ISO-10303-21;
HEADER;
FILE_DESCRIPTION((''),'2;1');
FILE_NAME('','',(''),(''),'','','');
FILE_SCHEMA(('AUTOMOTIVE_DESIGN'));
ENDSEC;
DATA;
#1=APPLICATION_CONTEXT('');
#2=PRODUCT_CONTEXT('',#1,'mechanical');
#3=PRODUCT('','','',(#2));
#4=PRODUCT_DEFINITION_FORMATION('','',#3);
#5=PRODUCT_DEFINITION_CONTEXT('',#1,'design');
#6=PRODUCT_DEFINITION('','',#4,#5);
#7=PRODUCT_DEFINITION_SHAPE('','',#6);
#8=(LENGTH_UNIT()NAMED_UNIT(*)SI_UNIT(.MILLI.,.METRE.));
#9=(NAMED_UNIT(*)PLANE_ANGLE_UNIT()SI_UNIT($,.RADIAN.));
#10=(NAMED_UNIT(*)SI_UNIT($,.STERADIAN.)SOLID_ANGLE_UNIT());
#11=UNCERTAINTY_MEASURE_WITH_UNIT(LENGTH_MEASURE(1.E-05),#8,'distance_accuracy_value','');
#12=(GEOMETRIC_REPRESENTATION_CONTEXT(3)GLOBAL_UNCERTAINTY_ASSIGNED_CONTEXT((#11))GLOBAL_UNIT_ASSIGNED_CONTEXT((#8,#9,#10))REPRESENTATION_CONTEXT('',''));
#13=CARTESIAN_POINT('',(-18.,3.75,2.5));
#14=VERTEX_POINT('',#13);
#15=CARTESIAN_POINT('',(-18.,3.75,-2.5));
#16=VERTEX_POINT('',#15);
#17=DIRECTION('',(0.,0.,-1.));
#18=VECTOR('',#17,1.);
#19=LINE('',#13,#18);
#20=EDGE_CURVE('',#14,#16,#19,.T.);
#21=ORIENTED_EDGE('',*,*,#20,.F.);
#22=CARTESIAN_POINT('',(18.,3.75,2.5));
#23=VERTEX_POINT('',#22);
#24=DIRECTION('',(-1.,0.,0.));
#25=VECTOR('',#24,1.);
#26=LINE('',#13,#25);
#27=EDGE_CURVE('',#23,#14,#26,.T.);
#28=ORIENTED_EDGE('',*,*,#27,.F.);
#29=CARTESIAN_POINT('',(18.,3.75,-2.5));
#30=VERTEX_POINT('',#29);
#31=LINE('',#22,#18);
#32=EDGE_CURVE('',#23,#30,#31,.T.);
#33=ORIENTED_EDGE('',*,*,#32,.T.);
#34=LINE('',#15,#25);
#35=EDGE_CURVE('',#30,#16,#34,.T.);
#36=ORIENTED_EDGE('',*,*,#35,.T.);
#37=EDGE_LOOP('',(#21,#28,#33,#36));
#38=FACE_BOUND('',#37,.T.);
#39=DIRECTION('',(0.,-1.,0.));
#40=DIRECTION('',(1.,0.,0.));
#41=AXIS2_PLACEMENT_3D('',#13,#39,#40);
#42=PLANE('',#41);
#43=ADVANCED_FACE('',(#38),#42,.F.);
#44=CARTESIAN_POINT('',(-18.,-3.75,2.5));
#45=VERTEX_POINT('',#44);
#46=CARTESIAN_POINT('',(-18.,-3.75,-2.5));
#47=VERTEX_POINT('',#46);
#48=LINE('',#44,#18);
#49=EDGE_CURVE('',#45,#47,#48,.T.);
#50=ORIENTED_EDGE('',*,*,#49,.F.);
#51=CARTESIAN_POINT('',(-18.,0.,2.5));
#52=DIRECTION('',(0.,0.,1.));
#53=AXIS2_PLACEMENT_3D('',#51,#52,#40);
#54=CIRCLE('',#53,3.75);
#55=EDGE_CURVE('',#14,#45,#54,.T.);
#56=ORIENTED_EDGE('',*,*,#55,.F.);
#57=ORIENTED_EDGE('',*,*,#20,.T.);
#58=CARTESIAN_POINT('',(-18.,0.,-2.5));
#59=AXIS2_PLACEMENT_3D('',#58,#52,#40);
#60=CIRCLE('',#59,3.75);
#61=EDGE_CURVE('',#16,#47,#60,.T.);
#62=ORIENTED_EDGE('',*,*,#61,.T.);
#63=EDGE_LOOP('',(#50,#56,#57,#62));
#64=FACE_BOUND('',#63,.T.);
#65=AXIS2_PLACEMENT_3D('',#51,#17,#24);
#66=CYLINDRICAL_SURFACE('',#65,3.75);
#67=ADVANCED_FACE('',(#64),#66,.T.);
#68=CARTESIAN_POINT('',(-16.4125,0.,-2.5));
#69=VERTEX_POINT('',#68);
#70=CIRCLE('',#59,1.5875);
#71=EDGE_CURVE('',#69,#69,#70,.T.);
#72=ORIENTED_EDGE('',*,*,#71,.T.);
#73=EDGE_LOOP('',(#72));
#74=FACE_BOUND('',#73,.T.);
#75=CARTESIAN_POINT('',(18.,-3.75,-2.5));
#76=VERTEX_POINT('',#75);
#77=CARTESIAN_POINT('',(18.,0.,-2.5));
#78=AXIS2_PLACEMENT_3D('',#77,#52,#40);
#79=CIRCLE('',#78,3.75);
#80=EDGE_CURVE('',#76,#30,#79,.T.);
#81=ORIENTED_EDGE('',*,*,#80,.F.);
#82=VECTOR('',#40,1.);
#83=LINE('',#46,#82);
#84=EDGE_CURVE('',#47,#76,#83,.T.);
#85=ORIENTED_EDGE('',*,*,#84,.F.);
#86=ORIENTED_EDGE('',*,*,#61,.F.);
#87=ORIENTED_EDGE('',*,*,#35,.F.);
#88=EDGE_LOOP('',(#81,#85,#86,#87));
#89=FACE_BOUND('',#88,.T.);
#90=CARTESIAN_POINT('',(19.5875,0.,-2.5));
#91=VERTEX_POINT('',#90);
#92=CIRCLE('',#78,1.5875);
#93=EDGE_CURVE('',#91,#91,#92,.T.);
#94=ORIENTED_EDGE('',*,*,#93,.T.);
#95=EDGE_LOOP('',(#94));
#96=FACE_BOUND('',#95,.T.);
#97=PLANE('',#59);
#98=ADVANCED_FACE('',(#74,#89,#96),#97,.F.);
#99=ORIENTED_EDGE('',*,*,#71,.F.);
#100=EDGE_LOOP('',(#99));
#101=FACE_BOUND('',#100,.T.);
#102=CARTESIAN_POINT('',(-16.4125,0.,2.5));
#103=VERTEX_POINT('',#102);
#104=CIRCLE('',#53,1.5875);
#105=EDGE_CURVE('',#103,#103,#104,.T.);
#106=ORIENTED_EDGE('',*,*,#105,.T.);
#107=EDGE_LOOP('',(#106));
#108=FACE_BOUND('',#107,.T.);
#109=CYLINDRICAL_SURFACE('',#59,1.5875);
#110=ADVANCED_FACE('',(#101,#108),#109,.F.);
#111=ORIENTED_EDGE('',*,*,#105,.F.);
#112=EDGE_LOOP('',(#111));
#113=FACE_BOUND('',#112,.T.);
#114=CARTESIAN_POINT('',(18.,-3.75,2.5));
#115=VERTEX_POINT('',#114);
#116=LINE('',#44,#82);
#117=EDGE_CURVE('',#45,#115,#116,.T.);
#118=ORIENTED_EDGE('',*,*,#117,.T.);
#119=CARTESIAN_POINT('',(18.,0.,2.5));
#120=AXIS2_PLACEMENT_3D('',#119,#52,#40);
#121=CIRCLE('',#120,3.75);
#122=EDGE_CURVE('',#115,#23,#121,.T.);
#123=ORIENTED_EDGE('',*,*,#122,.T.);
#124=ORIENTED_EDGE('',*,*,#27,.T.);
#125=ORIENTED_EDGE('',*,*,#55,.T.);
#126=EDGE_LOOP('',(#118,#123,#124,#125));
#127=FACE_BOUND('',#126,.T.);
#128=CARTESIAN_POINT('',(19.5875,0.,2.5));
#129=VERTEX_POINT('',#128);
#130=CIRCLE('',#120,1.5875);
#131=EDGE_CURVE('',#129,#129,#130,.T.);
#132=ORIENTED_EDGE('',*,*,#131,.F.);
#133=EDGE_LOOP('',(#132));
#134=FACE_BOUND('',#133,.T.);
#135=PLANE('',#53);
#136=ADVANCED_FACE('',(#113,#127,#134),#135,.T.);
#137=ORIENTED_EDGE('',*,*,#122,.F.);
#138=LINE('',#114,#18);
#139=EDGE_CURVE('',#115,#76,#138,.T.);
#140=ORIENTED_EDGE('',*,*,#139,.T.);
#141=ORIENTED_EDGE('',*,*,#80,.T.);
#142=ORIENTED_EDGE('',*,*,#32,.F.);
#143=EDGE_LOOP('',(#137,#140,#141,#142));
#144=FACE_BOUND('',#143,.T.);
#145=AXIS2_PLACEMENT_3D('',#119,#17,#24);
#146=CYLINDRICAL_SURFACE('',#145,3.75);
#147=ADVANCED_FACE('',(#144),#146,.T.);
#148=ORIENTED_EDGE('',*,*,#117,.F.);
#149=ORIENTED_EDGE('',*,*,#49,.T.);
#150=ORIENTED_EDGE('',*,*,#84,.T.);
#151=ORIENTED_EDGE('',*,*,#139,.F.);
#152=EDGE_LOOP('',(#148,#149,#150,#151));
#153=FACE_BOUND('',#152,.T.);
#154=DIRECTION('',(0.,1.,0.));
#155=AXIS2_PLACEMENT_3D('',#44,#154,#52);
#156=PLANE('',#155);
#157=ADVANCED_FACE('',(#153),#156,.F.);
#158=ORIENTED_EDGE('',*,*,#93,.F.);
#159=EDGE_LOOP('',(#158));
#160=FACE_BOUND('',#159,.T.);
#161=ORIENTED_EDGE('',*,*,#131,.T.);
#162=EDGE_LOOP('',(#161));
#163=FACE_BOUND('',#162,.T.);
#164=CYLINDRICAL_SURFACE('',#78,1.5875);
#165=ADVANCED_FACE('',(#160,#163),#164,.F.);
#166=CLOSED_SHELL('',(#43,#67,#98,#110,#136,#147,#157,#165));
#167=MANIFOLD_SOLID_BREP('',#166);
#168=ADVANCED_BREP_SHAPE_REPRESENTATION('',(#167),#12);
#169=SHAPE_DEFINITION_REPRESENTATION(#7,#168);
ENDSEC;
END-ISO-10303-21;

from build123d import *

# Parameters (mm, degrees)
BOSS_EXTRUDE1_DEPTH = 2.5
SKETCH2_R           = 1.5875
CUT_EXTRUDE1_DEPTH  = 23.630178965


with BuildPart() as part:
    # Sketch1 → Boss-Extrude1 (new, symmetric)
    with BuildSketch(Plane.XY):
        with BuildLine():
            Line((-18, 3.75), (18, 3.75))
            ThreePointArc((18, 3.75), (21.75, 0), (18, -3.75))
            Line((18, -3.75), (-18, -3.75))
            ThreePointArc((-18, -3.75), (-21.75, 0), (-18, 3.75))
        make_face()
    extrude(amount=BOSS_EXTRUDE1_DEPTH, both=True)

    # Sketch2 → Cut-Extrude1 (cut, through all)
    with BuildSketch(Plane.XY.offset(2.5)):
        with Locations((-18, 0)):
            Circle(SKETCH2_R)
        with Locations((18, 0)):
            Circle(SKETCH2_R)
    extrude(amount=-CUT_EXTRUDE1_DEPTH, mode=Mode.SUBTRACT)


solid = part.part
